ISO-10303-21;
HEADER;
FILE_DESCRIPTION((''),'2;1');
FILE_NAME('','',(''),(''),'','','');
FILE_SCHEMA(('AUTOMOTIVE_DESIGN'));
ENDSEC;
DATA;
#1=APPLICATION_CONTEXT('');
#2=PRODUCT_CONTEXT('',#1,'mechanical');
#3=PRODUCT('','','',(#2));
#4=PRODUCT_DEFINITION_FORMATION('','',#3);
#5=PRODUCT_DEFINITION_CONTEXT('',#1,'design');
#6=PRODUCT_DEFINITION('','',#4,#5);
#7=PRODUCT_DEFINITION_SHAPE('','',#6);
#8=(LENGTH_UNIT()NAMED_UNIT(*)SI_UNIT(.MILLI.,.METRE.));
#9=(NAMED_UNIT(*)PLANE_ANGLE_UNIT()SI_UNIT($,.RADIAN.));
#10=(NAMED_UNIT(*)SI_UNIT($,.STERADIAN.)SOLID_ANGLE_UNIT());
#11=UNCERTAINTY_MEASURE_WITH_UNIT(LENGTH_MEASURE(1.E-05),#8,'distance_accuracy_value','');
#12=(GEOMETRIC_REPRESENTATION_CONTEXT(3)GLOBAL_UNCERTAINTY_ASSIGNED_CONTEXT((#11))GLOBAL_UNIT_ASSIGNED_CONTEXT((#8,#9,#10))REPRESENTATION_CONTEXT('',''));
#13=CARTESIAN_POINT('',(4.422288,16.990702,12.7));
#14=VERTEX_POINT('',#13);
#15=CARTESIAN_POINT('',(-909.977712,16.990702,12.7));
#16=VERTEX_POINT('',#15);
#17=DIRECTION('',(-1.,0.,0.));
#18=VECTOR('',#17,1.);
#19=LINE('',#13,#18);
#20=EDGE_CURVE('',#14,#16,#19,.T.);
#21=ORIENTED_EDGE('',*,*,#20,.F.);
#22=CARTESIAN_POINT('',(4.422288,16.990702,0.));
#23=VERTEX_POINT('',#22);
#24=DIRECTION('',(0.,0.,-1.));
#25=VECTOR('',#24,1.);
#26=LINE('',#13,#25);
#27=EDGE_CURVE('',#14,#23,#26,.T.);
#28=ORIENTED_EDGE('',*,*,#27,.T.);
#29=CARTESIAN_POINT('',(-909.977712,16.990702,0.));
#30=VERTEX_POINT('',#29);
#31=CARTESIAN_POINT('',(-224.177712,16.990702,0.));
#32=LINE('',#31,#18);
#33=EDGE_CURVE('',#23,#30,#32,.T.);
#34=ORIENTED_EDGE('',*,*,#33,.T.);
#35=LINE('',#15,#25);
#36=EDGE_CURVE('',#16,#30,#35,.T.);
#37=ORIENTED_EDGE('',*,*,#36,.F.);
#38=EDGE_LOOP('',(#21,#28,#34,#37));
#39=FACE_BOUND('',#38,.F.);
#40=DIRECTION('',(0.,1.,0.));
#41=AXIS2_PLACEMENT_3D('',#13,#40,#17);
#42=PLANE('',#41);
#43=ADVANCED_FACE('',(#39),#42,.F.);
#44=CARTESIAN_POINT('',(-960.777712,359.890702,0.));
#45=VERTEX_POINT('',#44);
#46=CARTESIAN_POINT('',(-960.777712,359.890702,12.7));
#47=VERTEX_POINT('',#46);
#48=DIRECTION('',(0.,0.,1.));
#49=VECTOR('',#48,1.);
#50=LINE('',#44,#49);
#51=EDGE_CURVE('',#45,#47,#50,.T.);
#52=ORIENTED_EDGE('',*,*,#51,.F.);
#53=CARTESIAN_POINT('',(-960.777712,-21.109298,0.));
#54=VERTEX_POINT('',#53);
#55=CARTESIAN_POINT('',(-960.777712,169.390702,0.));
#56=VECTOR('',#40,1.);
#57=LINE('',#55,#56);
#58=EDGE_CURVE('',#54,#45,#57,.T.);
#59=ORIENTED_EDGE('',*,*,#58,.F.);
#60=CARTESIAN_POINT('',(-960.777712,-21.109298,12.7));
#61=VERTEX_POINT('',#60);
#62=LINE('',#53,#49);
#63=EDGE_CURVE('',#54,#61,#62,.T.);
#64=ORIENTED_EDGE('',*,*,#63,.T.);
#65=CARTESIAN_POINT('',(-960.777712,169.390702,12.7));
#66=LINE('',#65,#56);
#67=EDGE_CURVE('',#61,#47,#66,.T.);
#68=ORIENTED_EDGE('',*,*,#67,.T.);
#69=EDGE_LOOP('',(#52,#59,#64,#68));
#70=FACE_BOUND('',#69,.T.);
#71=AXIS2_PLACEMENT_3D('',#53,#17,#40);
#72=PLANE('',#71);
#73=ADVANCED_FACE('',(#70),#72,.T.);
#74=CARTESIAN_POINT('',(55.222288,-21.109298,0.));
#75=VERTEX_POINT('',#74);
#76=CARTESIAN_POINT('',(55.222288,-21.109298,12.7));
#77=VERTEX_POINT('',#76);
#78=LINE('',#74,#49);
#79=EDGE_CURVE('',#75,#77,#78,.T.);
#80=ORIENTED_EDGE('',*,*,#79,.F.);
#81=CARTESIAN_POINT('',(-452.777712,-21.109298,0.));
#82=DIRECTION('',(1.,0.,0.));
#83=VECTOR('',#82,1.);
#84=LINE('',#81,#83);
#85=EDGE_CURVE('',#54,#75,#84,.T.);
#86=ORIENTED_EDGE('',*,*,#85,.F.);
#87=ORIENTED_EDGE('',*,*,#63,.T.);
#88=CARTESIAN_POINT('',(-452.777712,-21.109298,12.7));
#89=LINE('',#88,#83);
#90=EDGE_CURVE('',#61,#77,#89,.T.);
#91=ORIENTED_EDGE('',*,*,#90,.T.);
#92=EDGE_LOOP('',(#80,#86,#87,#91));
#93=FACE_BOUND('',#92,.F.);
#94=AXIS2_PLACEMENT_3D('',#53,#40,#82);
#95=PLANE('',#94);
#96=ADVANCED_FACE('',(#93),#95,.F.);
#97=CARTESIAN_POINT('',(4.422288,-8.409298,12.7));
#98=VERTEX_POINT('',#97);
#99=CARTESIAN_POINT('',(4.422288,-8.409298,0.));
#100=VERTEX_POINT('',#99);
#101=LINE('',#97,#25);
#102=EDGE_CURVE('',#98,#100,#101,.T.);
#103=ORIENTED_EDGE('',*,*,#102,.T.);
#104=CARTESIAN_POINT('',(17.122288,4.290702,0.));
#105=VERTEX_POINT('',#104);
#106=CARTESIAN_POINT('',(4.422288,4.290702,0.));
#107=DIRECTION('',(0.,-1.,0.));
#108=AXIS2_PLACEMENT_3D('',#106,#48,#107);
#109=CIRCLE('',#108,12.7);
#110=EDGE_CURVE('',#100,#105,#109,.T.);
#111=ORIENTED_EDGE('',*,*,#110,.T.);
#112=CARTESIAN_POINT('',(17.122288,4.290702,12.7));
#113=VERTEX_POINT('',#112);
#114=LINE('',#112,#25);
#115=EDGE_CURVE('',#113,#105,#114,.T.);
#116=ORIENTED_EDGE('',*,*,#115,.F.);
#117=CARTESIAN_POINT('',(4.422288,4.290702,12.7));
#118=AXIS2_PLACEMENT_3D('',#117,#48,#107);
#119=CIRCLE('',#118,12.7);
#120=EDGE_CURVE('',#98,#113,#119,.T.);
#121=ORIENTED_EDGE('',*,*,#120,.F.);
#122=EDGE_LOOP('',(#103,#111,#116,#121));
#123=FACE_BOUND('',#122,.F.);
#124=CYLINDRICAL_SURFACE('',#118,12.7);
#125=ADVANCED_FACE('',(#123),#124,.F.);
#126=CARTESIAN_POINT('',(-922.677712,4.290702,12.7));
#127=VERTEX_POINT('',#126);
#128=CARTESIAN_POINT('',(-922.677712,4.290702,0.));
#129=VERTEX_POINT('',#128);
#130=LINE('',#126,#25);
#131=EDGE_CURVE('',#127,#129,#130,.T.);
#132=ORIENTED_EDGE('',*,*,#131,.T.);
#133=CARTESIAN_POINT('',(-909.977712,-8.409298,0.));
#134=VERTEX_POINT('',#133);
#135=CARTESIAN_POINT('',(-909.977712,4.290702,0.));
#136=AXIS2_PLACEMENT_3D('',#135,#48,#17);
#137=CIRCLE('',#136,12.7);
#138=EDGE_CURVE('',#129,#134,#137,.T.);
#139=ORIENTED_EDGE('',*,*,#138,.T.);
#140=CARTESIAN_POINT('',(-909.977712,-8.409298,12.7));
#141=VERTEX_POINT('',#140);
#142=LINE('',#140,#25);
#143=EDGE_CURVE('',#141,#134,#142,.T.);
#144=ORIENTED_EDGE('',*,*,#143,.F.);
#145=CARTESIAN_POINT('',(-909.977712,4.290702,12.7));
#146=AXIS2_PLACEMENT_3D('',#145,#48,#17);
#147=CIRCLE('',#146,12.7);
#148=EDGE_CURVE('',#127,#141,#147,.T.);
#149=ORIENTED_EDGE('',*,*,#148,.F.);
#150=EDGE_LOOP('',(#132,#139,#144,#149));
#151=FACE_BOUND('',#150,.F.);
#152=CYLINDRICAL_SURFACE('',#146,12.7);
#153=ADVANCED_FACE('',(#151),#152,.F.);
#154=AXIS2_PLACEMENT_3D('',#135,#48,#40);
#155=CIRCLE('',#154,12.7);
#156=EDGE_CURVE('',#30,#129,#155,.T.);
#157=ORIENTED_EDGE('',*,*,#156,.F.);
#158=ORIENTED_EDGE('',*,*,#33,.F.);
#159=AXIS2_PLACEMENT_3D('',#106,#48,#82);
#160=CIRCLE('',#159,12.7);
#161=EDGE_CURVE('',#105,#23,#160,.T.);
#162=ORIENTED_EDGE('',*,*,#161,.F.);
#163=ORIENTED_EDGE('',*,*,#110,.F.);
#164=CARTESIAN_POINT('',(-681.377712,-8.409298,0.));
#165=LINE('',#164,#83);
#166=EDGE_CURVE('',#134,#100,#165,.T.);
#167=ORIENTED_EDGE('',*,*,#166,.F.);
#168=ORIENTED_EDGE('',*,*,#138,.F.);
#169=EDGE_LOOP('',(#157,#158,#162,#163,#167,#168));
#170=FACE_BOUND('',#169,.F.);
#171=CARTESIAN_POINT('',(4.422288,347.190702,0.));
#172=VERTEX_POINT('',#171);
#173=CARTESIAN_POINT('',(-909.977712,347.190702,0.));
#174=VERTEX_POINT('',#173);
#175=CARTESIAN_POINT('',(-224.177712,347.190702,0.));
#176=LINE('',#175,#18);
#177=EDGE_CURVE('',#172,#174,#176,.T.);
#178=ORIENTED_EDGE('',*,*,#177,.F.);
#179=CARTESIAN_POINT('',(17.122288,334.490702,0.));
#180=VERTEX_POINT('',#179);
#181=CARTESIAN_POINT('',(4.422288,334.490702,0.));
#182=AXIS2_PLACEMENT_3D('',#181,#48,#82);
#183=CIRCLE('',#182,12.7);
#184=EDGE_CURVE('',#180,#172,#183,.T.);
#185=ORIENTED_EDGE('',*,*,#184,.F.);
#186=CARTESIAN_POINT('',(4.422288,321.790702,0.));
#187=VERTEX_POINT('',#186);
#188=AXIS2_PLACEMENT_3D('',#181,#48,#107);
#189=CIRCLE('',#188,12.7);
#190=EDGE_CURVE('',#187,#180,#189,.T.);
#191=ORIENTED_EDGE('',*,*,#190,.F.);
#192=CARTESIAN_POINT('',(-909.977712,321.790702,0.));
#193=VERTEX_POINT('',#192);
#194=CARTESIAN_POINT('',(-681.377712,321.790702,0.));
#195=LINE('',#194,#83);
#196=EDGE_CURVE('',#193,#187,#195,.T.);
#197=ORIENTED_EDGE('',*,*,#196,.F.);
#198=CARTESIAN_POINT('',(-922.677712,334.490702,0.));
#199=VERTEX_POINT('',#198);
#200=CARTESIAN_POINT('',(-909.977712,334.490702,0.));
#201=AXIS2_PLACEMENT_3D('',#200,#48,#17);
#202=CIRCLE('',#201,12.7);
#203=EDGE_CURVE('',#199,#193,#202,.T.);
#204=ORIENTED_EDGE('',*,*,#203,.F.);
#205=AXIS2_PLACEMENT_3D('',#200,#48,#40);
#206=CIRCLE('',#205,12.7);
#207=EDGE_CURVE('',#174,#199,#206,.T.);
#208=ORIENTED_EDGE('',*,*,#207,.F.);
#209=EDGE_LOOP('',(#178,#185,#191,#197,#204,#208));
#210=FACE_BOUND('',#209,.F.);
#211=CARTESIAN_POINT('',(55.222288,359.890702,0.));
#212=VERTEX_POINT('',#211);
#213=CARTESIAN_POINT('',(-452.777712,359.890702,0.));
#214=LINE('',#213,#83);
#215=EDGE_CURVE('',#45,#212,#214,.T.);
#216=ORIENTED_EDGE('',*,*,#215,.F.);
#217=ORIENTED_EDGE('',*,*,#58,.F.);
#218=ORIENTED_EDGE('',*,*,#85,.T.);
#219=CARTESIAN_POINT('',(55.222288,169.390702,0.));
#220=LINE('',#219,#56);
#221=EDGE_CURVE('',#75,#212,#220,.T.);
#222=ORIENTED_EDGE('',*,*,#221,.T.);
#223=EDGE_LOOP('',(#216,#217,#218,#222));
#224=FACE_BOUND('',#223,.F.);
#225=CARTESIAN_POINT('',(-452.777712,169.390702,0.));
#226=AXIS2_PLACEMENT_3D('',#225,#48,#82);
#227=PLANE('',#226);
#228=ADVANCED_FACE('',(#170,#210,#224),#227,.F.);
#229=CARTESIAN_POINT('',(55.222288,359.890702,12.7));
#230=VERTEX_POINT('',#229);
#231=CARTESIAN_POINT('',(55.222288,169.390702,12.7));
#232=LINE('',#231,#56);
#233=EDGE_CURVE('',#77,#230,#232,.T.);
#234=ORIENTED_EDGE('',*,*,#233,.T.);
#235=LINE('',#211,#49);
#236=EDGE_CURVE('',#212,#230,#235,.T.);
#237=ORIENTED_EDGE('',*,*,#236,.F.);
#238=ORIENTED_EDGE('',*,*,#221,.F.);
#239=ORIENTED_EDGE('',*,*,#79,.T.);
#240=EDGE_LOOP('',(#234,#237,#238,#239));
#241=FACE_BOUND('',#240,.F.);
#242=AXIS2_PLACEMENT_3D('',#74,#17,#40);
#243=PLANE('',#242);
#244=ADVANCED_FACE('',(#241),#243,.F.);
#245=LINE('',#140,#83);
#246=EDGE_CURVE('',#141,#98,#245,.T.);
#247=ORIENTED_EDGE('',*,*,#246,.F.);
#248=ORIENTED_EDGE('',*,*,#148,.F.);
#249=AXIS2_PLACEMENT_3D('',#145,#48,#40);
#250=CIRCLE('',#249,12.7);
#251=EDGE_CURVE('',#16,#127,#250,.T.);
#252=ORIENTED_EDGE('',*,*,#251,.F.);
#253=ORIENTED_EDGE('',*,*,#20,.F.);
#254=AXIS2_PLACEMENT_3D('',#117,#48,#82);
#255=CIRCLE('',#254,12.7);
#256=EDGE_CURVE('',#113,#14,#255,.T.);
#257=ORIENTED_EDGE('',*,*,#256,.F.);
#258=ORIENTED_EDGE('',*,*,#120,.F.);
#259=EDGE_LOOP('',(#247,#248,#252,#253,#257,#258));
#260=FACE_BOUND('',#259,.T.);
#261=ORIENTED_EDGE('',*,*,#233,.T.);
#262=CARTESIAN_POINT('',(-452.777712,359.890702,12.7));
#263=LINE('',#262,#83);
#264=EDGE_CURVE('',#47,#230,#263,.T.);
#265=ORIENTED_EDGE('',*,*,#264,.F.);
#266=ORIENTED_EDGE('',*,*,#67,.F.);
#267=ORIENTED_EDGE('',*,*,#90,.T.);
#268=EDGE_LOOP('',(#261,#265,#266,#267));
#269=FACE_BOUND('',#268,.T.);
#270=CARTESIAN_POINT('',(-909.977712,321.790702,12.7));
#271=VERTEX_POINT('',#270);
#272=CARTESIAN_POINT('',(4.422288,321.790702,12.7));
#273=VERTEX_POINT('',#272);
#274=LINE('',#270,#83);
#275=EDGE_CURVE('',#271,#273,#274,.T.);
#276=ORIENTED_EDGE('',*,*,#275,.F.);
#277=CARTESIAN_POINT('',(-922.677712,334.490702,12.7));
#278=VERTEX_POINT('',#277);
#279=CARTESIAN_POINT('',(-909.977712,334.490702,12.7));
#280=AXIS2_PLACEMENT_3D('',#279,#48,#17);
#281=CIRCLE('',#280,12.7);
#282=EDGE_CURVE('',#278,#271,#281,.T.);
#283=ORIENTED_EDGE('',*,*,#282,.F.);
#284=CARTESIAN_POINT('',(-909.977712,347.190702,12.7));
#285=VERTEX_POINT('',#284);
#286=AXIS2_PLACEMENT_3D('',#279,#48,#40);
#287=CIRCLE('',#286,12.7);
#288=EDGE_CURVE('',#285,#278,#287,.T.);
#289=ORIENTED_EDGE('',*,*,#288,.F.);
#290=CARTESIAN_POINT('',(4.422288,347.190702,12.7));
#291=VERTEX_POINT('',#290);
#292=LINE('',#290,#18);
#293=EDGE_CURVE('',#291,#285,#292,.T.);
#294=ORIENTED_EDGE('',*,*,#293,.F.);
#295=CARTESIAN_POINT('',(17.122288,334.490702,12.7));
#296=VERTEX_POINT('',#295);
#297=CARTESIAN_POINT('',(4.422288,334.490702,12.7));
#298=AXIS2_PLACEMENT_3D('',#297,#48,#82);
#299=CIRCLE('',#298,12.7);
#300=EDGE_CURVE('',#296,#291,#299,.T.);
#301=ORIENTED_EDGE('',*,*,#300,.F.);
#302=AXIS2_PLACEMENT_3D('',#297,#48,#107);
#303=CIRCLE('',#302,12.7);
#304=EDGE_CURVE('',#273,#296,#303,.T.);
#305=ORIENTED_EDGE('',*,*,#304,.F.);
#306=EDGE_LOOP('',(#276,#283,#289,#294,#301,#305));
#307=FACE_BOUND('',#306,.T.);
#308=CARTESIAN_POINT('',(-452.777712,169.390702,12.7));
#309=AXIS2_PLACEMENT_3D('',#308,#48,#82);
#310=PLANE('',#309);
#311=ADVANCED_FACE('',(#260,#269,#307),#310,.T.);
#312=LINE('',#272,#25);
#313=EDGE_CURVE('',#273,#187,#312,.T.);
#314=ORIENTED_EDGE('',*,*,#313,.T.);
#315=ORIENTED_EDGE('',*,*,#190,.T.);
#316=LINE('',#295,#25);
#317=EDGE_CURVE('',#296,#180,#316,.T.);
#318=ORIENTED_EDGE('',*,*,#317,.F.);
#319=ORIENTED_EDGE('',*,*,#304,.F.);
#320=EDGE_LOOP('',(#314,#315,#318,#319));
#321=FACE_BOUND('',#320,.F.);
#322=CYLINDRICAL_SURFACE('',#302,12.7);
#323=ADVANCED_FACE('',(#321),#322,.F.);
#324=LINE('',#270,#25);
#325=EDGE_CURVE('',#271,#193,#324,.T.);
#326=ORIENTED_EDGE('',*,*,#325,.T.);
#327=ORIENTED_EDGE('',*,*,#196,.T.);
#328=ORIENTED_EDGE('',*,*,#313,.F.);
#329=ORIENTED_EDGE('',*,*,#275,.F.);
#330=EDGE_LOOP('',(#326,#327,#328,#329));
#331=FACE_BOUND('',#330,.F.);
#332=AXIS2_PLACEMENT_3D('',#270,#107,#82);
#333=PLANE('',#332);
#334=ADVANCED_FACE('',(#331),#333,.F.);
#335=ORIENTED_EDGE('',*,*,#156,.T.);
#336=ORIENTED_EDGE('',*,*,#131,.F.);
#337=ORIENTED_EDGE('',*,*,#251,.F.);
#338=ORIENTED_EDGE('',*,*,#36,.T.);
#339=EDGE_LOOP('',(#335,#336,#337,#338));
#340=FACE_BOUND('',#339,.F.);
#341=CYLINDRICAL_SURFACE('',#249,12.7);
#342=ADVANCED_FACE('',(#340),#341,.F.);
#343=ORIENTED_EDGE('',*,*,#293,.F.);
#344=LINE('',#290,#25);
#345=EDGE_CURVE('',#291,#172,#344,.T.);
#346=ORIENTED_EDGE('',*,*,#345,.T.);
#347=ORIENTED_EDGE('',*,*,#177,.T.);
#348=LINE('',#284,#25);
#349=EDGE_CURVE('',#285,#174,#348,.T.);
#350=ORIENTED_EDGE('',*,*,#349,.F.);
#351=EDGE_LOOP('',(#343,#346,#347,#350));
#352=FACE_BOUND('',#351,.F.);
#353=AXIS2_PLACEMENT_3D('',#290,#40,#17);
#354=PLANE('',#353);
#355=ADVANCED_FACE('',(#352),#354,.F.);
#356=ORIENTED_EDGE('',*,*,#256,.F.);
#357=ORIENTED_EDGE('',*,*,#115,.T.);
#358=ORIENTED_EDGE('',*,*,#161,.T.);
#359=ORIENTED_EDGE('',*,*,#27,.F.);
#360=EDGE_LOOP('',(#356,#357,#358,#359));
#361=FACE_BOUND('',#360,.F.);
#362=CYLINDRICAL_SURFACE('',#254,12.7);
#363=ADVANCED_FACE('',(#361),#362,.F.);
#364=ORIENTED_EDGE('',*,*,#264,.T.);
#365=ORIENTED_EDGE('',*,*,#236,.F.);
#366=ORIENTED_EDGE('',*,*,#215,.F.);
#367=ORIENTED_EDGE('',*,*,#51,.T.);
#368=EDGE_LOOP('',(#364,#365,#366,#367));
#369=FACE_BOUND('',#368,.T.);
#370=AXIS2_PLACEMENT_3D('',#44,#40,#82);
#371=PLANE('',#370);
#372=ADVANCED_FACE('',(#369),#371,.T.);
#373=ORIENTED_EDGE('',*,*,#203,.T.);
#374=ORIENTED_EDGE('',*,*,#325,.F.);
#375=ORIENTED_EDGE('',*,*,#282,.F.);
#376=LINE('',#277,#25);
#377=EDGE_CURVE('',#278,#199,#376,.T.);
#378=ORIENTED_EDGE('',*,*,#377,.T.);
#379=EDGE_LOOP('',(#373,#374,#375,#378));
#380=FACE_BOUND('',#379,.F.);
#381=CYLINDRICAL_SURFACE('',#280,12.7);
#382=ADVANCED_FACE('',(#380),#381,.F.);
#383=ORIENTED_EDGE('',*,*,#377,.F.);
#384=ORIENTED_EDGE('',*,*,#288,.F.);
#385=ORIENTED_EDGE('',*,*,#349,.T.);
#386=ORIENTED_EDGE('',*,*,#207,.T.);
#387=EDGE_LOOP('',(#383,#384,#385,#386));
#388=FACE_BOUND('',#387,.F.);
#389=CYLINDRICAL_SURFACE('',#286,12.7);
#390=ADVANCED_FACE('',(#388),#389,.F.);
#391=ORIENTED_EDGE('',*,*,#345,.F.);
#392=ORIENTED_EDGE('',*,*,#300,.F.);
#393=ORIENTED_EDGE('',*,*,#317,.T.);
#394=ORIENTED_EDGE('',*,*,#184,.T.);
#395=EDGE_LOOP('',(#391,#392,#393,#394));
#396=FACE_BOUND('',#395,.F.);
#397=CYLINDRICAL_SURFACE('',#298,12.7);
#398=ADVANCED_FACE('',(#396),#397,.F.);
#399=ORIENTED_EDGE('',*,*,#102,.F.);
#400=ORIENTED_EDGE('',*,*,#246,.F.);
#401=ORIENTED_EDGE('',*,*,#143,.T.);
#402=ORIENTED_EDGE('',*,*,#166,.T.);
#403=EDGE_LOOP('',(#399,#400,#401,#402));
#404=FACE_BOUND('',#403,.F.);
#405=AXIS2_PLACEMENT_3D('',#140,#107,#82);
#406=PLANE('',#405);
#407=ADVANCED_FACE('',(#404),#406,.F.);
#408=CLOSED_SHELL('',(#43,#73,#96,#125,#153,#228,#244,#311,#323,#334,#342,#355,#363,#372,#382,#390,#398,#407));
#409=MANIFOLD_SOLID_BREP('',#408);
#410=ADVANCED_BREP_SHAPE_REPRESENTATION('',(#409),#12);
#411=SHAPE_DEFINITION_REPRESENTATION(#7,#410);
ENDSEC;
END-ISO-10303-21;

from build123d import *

# Parameters (mm, degrees)
F0_W     = 1016
F0_H     = 381
F1_DEPTH = 12.7
F3_DEPTH = 25.4


with BuildPart() as f1:
    # F0 (on Top) → F1 (new body)
    with BuildSketch(Plane.XY):
        with Locations((-452.7777122259, 169.3907021284)):
            Rectangle(F0_W, F0_H)
    extrude(amount=F1_DEPTH)

    # F2 (on face) → F3 (cut)
    with BuildSketch(Plane.XY.offset(12.7)):
        with BuildLine():
            Line((-897.2777122259, 334.4907021284), (-909.9777122259, 334.4907021284))
            Line((-909.9777122259, 334.4907021284), (-909.9777122259, 321.7907021284))
            ThreePointArc((-909.9777122259, 321.7907021284), (-900.9974561048, 325.5104460073), (-897.2777122259, 334.4907021284))
        make_face()
        with BuildLine():
            ThreePointArc((-897.2777122259, 334.4907021284), (-900.9974561048, 343.4709582495), (-909.9777122259, 347.1907021284))
            Line((-909.9777122259, 347.1907021284), (-909.9777122259, 334.4907021284))
            Line((-909.9777122259, 334.4907021284), (-897.2777122259, 334.4907021284))
        make_face()
        with BuildLine():
            Line((-909.9777122259, 334.4907021284), (-909.9777122259, 347.1907021284))
            ThreePointArc((-909.9777122259, 347.1907021284), (-918.957968347, 343.4709582495), (-922.6777122259, 334.4907021284))
            Line((-922.6777122259, 334.4907021284), (-909.9777122259, 334.4907021284))
        make_face()
        with BuildLine():
            Line((-909.9777122259, 334.4907021284), (-922.6777122259, 334.4907021284))
            ThreePointArc((-922.6777122259, 334.4907021284), (-918.957968347, 325.5104460073), (-909.9777122259, 321.7907021284))
            Line((-909.9777122259, 321.7907021284), (-909.9777122259, 334.4907021284))
        make_face()
        with BuildLine():
            Line((-8.2777122259, 334.4907021284), (-897.2777122259, 334.4907021284))
            ThreePointArc((-897.2777122259, 334.4907021284), (-900.9974561048, 325.5104460073), (-909.9777122259, 321.7907021284))
            Line((-909.9777122259, 321.7907021284), (-8.2777122259, 321.7907021284))
            Line((-8.2777122259, 321.7907021284), (-8.2777122259, 334.4907021284))
        make_face()
        with BuildLine():
            Line((4.4222877741, 347.1907021284), (-909.9777122259, 347.1907021284))
            ThreePointArc((-909.9777122259, 347.1907021284), (-900.9974561048, 343.4709582495), (-897.2777122259, 334.4907021284))
            Line((-897.2777122259, 334.4907021284), (-8.2777122259, 334.4907021284))
            ThreePointArc((-8.2777122259, 334.4907021284), (-4.557968347, 343.4709582495), (4.4222877741, 347.1907021284))
        make_face()
        with BuildLine():
            Line((-909.9777122259, 16.9907021284), (-909.9777122259, 4.2907021284))
            Line((-909.9777122259, 4.2907021284), (-897.2777122259, 4.2907021284))
            ThreePointArc((-897.2777122259, 4.2907021284), (-900.9974561048, 13.2709582495), (-909.9777122259, 16.9907021284))
        make_face()
        with BuildLine():
            ThreePointArc((-909.9777122259, 16.9907021284), (-918.957968347, 13.2709582495), (-922.6777122259, 4.2907021284))
            Line((-922.6777122259, 4.2907021284), (-909.9777122259, 4.2907021284))
            Line((-909.9777122259, 4.2907021284), (-909.9777122259, 16.9907021284))
        make_face()
        with BuildLine():
            Line((-909.9777122259, 4.2907021284), (-922.6777122259, 4.2907021284))
            ThreePointArc((-922.6777122259, 4.2907021284), (-918.957968347, -4.6895539927), (-909.9777122259, -8.4092978716))
            Line((-909.9777122259, -8.4092978716), (-909.9777122259, 4.2907021284))
        make_face()
        with BuildLine():
            Line((-897.2777122259, 4.2907021284), (-909.9777122259, 4.2907021284))
            Line((-909.9777122259, 4.2907021284), (-909.9777122259, -8.4092978716))
            ThreePointArc((-909.9777122259, -8.4092978716), (-900.9974561048, -4.6895539927), (-897.2777122259, 4.2907021284))
        make_face()
        with BuildLine():
            Line((-8.2777122259, 16.9907021284), (-909.9777122259, 16.9907021284))
            ThreePointArc((-909.9777122259, 16.9907021284), (-900.9974561048, 13.2709582495), (-897.2777122259, 4.2907021284))
            Line((-897.2777122259, 4.2907021284), (-8.2777122259, 4.2907021284))
            Line((-8.2777122259, 4.2907021284), (-8.2777122259, 16.9907021284))
        make_face()
        with BuildLine():
            ThreePointArc((-897.2777122259, 4.2907021284), (-900.9974561048, -4.6895539927), (-909.9777122259, -8.4092978716))
            Line((-909.9777122259, -8.4092978716), (4.4222877741, -8.4092978716))
            ThreePointArc((4.4222877741, -8.4092978716), (-4.557968347, -4.6895539927), (-8.2777122259, 4.2907021284))
            Line((-8.2777122259, 4.2907021284), (-897.2777122259, 4.2907021284))
        make_face()
        with BuildLine():
            Line((4.4222877741, 16.9907021284), (-8.2777122259, 16.9907021284))
            Line((-8.2777122259, 16.9907021284), (-8.2777122259, 4.2907021284))
            ThreePointArc((-8.2777122259, 4.2907021284), (-4.557968347, 13.2709582495), (4.4222877741, 16.9907021284))
        make_face()
        with BuildLine():
            ThreePointArc((-8.2777122259, 4.2907021284), (-4.557968347, -4.6895539927), (4.4222877741, -8.4092978716))
            Line((4.4222877741, -8.4092978716), (4.4222877741, 4.2907021284))
            Line((4.4222877741, 4.2907021284), (-8.2777122259, 4.2907021284))
        make_face()
        with BuildLine():
            ThreePointArc((4.4222877741, -8.4092978716), (13.4025438952, -4.6895539927), (17.1222877741, 4.2907021284))
            Line((17.1222877741, 4.2907021284), (4.4222877741, 4.2907021284))
            Line((4.4222877741, 4.2907021284), (4.4222877741, -8.4092978716))
        make_face()
        with BuildLine():
            Line((4.4222877741, 4.2907021284), (17.1222877741, 4.2907021284))
            ThreePointArc((17.1222877741, 4.2907021284), (13.4025438952, 13.2709582495), (4.4222877741, 16.9907021284))
            Line((4.4222877741, 16.9907021284), (4.4222877741, 4.2907021284))
        make_face()
        with BuildLine():
            Line((4.4222877741, 4.2907021284), (4.4222877741, 16.9907021284))
            ThreePointArc((4.4222877741, 16.9907021284), (-4.557968347, 13.2709582495), (-8.2777122259, 4.2907021284))
            Line((-8.2777122259, 4.2907021284), (4.4222877741, 4.2907021284))
        make_face()
        with BuildLine():
            ThreePointArc((4.4222877741, 321.7907021284), (-4.557968347, 325.5104460073), (-8.2777122259, 334.4907021284))
            Line((-8.2777122259, 334.4907021284), (-8.2777122259, 321.7907021284))
            Line((-8.2777122259, 321.7907021284), (4.4222877741, 321.7907021284))
        make_face()
        with BuildLine():
            Line((4.4222877741, 334.4907021284), (-8.2777122259, 334.4907021284))
            ThreePointArc((-8.2777122259, 334.4907021284), (-4.557968347, 325.5104460073), (4.4222877741, 321.7907021284))
            Line((4.4222877741, 321.7907021284), (4.4222877741, 334.4907021284))
        make_face()
        with BuildLine():
            Line((4.4222877741, 334.4907021284), (4.4222877741, 347.1907021284))
            ThreePointArc((4.4222877741, 347.1907021284), (-4.557968347, 343.4709582495), (-8.2777122259, 334.4907021284))
            Line((-8.2777122259, 334.4907021284), (4.4222877741, 334.4907021284))
        make_face()
        with BuildLine():
            ThreePointArc((17.1222877741, 334.4907021284), (13.4025438952, 343.4709582495), (4.4222877741, 347.1907021284))
            Line((4.4222877741, 347.1907021284), (4.4222877741, 334.4907021284))
            Line((4.4222877741, 334.4907021284), (17.1222877741, 334.4907021284))
        make_face()
        with BuildLine():
            Line((17.1222877741, 334.4907021284), (4.4222877741, 334.4907021284))
            Line((4.4222877741, 334.4907021284), (4.4222877741, 321.7907021284))
            ThreePointArc((4.4222877741, 321.7907021284), (13.4025438952, 325.5104460073), (17.1222877741, 334.4907021284))
        make_face()
    extrude(amount=-F3_DEPTH, mode=Mode.SUBTRACT)


solid = f1.part
